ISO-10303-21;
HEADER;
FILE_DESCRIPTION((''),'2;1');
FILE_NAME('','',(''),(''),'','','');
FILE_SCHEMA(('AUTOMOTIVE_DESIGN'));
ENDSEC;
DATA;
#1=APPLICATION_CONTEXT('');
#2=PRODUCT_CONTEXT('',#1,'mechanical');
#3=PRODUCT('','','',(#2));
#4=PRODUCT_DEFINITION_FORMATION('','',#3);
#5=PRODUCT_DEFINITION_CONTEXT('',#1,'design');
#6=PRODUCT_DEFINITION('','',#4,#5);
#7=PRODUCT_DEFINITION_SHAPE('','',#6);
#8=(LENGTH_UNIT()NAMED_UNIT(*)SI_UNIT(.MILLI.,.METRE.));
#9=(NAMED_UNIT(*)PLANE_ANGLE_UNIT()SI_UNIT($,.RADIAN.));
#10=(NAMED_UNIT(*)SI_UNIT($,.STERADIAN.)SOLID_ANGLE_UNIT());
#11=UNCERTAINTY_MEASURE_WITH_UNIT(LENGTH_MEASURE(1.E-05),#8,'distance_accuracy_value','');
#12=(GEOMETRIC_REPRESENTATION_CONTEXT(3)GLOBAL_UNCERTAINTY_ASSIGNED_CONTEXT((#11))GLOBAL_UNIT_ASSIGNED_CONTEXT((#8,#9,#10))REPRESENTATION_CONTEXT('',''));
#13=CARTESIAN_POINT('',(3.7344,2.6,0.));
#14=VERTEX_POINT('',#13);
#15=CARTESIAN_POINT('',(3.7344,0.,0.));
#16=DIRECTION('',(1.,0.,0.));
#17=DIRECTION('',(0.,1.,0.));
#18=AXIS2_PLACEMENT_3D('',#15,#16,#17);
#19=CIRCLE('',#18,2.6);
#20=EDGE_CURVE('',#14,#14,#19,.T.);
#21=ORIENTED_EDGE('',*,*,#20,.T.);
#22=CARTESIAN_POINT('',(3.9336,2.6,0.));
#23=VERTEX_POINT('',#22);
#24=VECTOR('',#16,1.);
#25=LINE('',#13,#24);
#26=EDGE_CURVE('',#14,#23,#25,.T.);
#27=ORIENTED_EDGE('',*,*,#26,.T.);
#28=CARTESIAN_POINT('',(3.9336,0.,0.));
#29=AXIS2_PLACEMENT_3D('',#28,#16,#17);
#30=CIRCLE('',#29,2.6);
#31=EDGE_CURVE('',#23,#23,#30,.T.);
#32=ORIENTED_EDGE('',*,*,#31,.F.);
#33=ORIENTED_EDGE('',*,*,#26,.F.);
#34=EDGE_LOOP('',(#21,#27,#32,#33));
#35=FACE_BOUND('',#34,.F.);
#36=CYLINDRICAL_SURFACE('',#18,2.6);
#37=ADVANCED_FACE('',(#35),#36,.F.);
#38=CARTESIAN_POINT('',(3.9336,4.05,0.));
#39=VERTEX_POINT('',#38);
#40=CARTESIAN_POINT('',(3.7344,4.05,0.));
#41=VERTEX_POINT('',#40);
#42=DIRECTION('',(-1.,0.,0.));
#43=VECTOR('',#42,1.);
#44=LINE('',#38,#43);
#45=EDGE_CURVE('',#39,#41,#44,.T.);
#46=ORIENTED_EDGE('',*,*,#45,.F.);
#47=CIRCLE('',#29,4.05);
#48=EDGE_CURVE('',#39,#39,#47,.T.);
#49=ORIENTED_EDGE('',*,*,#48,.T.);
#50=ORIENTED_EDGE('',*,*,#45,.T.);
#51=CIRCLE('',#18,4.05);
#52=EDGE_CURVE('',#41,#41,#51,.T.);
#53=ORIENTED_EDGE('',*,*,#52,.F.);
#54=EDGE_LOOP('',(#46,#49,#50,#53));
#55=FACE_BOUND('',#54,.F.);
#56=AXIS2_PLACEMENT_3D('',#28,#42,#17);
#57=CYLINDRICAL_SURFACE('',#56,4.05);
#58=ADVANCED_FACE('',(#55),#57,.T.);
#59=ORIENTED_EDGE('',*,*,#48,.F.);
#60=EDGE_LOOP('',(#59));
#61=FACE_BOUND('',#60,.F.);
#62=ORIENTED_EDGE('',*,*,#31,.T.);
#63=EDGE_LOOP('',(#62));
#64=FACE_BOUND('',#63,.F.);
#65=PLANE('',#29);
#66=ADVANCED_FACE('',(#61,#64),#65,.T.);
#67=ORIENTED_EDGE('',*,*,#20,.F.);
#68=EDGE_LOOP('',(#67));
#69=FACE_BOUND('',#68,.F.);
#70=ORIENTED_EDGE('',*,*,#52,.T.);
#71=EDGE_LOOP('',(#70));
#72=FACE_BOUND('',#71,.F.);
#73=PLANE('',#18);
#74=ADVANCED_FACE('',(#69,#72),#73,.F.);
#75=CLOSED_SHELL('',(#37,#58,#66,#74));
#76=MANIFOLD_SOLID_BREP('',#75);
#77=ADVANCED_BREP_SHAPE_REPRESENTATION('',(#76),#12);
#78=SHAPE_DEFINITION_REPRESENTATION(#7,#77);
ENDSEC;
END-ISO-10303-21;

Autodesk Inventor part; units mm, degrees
sketch "Sketch_1" plane through (0, 0, 0) normal (0, 0, 1) x (1, 0, 0)
  line L0 (3.9336, 0) -> (3.7344, 0)
  line L1 (3.7344, 2.6) -> (3.9336, 2.6)
  line L2 (3.9336, 2.6) -> (3.9336, 4.05)
  line L3 (3.9336, 4.05) -> (3.7344, 4.05)
  line L4 (3.7344, 4.05) -> (3.7344, 2.6)
revolve "Revolution1" add sketch "Sketch_1" angle 360 about axis through (3.9336, 0, 0) along (1, 0, 0)
ref_plane "ip_st_s2_XY" through (3.7344, 0, 0) normal (1, 0, 0) x (0, 0, -1)
ref_plane "ip_st_s2_YZ" through (3.7344, 0, 0) normal (0, 0, -1) x (0, 1, 0)
ref_plane "ip_st_s2_ZX" through (3.7344, 0, 0) normal (0, 1, 0) x (1, 0, 0)
properties part number "684AZZ Shield2"
